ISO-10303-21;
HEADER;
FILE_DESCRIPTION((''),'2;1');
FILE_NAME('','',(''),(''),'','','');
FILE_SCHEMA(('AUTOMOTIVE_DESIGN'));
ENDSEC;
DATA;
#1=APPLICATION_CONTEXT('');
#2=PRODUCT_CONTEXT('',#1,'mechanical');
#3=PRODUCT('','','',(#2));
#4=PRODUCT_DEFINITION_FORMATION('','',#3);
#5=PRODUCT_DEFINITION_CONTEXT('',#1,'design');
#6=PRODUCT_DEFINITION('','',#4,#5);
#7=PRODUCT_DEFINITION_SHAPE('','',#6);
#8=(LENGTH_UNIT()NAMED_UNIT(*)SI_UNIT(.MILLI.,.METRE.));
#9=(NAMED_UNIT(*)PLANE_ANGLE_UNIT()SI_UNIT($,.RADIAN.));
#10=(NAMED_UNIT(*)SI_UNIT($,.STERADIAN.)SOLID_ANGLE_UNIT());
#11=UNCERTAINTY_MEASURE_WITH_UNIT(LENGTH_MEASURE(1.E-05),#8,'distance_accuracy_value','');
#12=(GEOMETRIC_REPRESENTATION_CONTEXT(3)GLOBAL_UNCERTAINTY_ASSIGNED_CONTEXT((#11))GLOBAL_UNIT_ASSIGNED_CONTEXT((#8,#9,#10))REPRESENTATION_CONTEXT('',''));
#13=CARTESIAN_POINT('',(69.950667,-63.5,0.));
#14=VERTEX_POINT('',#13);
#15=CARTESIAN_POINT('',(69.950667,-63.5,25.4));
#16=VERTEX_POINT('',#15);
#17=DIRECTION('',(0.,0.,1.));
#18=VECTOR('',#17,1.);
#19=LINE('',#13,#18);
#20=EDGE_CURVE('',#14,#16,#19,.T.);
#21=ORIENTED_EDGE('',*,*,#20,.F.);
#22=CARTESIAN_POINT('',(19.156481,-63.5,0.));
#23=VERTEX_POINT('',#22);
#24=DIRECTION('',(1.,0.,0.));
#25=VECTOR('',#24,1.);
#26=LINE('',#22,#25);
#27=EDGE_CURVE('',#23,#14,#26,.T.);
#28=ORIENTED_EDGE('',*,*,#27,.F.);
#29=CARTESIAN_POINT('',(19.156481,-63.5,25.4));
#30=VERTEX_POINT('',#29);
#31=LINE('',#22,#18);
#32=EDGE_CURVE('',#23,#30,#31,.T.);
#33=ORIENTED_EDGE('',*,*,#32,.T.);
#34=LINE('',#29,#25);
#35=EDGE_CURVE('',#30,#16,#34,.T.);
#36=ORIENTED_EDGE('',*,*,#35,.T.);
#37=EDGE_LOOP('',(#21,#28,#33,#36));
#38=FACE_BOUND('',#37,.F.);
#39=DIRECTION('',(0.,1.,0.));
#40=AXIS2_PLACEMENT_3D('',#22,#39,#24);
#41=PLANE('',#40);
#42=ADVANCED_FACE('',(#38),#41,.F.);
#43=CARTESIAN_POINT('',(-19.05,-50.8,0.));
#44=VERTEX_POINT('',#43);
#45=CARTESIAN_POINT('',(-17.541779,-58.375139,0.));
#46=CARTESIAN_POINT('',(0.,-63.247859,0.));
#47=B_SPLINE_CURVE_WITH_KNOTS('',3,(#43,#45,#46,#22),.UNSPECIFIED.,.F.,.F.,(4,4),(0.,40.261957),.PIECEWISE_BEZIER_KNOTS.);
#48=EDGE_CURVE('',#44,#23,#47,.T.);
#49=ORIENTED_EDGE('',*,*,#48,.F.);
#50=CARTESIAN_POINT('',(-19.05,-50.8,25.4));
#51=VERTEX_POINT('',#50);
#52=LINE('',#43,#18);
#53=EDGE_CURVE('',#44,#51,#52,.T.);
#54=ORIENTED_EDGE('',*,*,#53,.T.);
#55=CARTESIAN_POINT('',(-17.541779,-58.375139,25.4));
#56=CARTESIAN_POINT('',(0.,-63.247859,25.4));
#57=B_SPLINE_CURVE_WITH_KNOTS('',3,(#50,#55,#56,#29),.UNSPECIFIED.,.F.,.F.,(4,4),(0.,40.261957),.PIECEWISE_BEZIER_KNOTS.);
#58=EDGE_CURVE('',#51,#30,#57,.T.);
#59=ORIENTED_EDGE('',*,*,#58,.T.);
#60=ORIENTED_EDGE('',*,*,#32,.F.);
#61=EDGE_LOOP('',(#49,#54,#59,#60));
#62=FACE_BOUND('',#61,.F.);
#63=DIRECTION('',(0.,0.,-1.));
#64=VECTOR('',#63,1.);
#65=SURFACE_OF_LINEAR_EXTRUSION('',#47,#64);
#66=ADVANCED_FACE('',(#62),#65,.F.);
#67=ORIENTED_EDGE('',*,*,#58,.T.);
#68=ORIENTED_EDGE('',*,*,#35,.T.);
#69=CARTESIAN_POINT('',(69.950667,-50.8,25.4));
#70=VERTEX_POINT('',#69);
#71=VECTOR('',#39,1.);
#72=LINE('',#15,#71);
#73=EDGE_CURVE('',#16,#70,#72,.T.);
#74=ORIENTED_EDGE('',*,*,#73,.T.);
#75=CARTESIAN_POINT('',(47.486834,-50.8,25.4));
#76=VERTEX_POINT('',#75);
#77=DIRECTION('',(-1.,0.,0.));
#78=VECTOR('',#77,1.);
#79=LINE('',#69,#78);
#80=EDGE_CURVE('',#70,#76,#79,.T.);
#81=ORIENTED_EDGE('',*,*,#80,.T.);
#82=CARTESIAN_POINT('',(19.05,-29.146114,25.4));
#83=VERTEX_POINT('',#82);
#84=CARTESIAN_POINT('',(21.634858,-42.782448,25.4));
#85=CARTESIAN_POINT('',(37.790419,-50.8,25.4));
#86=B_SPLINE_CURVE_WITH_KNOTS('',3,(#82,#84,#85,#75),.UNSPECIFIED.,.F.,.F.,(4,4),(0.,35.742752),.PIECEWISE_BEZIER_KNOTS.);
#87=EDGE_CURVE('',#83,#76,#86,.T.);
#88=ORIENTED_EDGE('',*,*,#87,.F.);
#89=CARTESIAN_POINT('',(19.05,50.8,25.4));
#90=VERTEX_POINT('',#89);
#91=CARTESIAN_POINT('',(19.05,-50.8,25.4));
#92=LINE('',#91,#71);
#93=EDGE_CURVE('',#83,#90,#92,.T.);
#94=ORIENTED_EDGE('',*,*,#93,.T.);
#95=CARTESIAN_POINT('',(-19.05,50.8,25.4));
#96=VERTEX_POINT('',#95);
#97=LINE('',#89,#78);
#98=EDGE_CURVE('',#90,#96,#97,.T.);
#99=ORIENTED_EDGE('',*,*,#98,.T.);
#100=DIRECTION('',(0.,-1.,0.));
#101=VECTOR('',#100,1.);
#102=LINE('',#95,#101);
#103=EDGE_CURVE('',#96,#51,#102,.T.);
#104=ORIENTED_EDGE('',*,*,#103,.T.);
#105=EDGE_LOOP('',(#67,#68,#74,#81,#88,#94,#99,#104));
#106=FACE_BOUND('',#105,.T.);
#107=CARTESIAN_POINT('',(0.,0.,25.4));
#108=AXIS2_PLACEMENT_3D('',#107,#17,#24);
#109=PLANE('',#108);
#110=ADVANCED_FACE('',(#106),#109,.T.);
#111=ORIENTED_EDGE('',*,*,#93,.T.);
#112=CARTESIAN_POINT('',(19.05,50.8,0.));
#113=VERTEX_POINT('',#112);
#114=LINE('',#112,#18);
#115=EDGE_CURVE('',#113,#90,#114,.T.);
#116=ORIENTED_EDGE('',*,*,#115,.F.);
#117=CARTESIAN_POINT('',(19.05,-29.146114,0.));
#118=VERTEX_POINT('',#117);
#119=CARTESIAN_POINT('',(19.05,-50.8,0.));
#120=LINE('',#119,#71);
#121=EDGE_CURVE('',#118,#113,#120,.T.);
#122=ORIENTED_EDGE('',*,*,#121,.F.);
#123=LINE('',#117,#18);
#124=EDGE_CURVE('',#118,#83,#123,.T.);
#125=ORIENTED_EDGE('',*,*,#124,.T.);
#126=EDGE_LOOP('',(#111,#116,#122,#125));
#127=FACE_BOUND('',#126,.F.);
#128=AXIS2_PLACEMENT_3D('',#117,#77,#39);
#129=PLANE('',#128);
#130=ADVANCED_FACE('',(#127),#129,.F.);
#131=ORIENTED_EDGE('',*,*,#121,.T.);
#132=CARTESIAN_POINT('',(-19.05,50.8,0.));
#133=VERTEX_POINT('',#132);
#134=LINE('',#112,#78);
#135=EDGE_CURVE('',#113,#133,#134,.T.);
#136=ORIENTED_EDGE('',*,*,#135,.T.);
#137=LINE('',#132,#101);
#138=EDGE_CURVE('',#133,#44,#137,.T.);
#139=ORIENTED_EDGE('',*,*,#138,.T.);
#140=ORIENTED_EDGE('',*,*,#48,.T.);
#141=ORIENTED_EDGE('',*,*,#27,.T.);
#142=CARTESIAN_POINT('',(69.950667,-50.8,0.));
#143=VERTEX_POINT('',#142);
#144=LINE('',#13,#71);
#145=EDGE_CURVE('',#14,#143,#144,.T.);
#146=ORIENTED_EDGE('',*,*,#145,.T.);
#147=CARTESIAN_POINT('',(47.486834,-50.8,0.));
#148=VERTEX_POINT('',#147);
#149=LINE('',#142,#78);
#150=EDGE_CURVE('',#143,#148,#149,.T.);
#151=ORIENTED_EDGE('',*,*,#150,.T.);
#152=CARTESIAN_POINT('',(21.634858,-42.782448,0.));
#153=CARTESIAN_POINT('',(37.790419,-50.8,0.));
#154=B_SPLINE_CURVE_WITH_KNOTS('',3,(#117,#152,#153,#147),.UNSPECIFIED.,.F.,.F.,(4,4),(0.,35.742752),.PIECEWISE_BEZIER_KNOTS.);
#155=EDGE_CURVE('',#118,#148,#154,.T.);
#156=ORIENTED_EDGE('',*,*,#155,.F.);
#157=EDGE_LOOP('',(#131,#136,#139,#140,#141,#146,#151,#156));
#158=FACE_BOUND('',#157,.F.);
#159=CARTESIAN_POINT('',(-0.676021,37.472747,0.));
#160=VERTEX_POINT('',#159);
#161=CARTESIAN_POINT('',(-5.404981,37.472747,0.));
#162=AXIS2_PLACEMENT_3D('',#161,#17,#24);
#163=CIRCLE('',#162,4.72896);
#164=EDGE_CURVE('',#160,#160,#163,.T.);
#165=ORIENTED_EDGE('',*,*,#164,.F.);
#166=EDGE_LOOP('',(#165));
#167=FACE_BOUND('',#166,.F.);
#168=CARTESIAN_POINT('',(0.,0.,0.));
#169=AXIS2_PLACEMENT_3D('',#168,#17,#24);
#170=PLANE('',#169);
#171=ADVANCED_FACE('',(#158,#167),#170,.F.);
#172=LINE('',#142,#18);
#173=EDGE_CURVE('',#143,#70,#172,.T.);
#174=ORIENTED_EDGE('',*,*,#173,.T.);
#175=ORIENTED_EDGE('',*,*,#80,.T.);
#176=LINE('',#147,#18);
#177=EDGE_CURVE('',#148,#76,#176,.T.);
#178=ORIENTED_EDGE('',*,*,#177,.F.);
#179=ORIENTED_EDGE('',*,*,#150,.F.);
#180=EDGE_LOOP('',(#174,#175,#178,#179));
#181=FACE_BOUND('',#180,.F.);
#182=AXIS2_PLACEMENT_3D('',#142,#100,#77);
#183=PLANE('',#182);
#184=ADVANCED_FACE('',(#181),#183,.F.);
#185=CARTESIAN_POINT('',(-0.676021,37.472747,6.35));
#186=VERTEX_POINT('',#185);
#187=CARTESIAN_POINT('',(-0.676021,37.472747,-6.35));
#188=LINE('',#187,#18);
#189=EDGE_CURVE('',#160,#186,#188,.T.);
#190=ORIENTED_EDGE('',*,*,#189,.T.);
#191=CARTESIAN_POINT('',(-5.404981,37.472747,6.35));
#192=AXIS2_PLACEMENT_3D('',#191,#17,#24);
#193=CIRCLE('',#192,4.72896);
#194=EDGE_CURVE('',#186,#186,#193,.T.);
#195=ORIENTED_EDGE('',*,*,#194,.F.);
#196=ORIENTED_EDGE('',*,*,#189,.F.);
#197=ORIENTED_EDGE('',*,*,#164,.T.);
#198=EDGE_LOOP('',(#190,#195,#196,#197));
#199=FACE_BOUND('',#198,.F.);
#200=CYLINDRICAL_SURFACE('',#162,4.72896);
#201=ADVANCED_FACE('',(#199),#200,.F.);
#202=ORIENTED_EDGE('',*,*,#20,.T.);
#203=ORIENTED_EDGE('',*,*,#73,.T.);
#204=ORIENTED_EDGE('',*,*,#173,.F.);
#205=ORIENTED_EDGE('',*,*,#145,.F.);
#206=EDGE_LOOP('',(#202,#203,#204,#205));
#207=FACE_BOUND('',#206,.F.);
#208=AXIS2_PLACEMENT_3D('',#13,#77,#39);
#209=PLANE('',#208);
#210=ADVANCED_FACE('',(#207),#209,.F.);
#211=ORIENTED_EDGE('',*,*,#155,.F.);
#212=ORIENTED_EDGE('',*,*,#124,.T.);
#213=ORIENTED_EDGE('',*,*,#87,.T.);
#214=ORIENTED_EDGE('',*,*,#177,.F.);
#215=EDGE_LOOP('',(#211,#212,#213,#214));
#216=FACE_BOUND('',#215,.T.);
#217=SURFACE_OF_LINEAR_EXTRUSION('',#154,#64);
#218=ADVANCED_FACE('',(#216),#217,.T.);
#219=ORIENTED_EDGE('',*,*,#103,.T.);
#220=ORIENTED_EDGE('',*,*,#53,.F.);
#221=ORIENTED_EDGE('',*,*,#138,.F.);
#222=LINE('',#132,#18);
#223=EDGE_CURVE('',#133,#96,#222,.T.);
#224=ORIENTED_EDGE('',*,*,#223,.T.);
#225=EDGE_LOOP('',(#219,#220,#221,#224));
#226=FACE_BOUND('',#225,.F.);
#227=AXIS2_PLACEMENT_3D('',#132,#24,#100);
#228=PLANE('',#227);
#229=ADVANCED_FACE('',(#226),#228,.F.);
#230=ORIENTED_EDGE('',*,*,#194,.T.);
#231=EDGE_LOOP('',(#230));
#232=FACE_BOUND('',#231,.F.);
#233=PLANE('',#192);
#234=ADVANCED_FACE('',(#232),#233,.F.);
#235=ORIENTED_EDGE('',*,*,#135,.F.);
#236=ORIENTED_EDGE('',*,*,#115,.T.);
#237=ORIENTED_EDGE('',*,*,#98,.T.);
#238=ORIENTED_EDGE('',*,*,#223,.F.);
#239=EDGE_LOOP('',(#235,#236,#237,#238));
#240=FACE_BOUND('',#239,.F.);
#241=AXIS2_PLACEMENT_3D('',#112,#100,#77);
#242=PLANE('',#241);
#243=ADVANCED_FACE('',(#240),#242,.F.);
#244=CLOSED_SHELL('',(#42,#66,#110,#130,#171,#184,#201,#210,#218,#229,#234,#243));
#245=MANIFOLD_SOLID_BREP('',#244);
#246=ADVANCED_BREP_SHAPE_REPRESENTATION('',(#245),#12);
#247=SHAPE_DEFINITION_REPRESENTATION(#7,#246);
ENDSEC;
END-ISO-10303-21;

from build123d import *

# Parameters (mm, degrees)
F1_DEPTH = 25.4
F2_R     = 4.72896
F3_DEPTH = 6.35


with BuildPart() as f1:
    # F0 (on Top) → F1 (new body)
    with BuildSketch(Plane.XY):
        Polygon((19.05, 50.8), (-19.05, 50.8), (-19.05, -50.8), (19.05, -50.8), (19.05, -29.146114), align=None)
        with BuildLine():
            Line((19.05, -50.8), (-19.05, -50.8))
            add(Edge.make_bspline(
                [(-19.05, -50.8), (-17.541779, -58.375139), (0, -63.247859), (19.156481, -63.5)],
                knots=[0, 0, 0, 0, 40.261957, 40.261957, 40.261957, 40.261957], degree=3))
            Line((19.156481, -63.5), (19.156481, -50.8))
            Line((19.156481, -50.8), (19.05, -50.8))
        make_face()
        with BuildLine():
            add(Edge.make_bspline(
                [(19.05, -29.146114), (21.634858, -42.782448), (37.790419, -50.8), (47.486834, -50.8)],
                knots=[0, 0, 0, 0, 35.742752, 35.742752, 35.742752, 35.742752], degree=3))
            Line((19.05, -29.146114), (19.05, -50.8))
            Line((19.05, -50.8), (19.156481, -50.8))
            Line((19.156481, -50.8), (47.486834, -50.8))
        make_face()
        Polygon((19.156481, -50.8), (19.156481, -63.5), (69.950667, -63.5), (69.950667, -50.8), (47.486834, -50.8), align=None)
    extrude(amount=F1_DEPTH)

    # F2 (on Top) → F3 (cut, symmetric)
    with BuildSketch(Plane.XY):
        with Locations((-5.404981, 37.472747)):
            Circle(F2_R)
    extrude(amount=F3_DEPTH, both=True, mode=Mode.SUBTRACT)


solid = f1.part
